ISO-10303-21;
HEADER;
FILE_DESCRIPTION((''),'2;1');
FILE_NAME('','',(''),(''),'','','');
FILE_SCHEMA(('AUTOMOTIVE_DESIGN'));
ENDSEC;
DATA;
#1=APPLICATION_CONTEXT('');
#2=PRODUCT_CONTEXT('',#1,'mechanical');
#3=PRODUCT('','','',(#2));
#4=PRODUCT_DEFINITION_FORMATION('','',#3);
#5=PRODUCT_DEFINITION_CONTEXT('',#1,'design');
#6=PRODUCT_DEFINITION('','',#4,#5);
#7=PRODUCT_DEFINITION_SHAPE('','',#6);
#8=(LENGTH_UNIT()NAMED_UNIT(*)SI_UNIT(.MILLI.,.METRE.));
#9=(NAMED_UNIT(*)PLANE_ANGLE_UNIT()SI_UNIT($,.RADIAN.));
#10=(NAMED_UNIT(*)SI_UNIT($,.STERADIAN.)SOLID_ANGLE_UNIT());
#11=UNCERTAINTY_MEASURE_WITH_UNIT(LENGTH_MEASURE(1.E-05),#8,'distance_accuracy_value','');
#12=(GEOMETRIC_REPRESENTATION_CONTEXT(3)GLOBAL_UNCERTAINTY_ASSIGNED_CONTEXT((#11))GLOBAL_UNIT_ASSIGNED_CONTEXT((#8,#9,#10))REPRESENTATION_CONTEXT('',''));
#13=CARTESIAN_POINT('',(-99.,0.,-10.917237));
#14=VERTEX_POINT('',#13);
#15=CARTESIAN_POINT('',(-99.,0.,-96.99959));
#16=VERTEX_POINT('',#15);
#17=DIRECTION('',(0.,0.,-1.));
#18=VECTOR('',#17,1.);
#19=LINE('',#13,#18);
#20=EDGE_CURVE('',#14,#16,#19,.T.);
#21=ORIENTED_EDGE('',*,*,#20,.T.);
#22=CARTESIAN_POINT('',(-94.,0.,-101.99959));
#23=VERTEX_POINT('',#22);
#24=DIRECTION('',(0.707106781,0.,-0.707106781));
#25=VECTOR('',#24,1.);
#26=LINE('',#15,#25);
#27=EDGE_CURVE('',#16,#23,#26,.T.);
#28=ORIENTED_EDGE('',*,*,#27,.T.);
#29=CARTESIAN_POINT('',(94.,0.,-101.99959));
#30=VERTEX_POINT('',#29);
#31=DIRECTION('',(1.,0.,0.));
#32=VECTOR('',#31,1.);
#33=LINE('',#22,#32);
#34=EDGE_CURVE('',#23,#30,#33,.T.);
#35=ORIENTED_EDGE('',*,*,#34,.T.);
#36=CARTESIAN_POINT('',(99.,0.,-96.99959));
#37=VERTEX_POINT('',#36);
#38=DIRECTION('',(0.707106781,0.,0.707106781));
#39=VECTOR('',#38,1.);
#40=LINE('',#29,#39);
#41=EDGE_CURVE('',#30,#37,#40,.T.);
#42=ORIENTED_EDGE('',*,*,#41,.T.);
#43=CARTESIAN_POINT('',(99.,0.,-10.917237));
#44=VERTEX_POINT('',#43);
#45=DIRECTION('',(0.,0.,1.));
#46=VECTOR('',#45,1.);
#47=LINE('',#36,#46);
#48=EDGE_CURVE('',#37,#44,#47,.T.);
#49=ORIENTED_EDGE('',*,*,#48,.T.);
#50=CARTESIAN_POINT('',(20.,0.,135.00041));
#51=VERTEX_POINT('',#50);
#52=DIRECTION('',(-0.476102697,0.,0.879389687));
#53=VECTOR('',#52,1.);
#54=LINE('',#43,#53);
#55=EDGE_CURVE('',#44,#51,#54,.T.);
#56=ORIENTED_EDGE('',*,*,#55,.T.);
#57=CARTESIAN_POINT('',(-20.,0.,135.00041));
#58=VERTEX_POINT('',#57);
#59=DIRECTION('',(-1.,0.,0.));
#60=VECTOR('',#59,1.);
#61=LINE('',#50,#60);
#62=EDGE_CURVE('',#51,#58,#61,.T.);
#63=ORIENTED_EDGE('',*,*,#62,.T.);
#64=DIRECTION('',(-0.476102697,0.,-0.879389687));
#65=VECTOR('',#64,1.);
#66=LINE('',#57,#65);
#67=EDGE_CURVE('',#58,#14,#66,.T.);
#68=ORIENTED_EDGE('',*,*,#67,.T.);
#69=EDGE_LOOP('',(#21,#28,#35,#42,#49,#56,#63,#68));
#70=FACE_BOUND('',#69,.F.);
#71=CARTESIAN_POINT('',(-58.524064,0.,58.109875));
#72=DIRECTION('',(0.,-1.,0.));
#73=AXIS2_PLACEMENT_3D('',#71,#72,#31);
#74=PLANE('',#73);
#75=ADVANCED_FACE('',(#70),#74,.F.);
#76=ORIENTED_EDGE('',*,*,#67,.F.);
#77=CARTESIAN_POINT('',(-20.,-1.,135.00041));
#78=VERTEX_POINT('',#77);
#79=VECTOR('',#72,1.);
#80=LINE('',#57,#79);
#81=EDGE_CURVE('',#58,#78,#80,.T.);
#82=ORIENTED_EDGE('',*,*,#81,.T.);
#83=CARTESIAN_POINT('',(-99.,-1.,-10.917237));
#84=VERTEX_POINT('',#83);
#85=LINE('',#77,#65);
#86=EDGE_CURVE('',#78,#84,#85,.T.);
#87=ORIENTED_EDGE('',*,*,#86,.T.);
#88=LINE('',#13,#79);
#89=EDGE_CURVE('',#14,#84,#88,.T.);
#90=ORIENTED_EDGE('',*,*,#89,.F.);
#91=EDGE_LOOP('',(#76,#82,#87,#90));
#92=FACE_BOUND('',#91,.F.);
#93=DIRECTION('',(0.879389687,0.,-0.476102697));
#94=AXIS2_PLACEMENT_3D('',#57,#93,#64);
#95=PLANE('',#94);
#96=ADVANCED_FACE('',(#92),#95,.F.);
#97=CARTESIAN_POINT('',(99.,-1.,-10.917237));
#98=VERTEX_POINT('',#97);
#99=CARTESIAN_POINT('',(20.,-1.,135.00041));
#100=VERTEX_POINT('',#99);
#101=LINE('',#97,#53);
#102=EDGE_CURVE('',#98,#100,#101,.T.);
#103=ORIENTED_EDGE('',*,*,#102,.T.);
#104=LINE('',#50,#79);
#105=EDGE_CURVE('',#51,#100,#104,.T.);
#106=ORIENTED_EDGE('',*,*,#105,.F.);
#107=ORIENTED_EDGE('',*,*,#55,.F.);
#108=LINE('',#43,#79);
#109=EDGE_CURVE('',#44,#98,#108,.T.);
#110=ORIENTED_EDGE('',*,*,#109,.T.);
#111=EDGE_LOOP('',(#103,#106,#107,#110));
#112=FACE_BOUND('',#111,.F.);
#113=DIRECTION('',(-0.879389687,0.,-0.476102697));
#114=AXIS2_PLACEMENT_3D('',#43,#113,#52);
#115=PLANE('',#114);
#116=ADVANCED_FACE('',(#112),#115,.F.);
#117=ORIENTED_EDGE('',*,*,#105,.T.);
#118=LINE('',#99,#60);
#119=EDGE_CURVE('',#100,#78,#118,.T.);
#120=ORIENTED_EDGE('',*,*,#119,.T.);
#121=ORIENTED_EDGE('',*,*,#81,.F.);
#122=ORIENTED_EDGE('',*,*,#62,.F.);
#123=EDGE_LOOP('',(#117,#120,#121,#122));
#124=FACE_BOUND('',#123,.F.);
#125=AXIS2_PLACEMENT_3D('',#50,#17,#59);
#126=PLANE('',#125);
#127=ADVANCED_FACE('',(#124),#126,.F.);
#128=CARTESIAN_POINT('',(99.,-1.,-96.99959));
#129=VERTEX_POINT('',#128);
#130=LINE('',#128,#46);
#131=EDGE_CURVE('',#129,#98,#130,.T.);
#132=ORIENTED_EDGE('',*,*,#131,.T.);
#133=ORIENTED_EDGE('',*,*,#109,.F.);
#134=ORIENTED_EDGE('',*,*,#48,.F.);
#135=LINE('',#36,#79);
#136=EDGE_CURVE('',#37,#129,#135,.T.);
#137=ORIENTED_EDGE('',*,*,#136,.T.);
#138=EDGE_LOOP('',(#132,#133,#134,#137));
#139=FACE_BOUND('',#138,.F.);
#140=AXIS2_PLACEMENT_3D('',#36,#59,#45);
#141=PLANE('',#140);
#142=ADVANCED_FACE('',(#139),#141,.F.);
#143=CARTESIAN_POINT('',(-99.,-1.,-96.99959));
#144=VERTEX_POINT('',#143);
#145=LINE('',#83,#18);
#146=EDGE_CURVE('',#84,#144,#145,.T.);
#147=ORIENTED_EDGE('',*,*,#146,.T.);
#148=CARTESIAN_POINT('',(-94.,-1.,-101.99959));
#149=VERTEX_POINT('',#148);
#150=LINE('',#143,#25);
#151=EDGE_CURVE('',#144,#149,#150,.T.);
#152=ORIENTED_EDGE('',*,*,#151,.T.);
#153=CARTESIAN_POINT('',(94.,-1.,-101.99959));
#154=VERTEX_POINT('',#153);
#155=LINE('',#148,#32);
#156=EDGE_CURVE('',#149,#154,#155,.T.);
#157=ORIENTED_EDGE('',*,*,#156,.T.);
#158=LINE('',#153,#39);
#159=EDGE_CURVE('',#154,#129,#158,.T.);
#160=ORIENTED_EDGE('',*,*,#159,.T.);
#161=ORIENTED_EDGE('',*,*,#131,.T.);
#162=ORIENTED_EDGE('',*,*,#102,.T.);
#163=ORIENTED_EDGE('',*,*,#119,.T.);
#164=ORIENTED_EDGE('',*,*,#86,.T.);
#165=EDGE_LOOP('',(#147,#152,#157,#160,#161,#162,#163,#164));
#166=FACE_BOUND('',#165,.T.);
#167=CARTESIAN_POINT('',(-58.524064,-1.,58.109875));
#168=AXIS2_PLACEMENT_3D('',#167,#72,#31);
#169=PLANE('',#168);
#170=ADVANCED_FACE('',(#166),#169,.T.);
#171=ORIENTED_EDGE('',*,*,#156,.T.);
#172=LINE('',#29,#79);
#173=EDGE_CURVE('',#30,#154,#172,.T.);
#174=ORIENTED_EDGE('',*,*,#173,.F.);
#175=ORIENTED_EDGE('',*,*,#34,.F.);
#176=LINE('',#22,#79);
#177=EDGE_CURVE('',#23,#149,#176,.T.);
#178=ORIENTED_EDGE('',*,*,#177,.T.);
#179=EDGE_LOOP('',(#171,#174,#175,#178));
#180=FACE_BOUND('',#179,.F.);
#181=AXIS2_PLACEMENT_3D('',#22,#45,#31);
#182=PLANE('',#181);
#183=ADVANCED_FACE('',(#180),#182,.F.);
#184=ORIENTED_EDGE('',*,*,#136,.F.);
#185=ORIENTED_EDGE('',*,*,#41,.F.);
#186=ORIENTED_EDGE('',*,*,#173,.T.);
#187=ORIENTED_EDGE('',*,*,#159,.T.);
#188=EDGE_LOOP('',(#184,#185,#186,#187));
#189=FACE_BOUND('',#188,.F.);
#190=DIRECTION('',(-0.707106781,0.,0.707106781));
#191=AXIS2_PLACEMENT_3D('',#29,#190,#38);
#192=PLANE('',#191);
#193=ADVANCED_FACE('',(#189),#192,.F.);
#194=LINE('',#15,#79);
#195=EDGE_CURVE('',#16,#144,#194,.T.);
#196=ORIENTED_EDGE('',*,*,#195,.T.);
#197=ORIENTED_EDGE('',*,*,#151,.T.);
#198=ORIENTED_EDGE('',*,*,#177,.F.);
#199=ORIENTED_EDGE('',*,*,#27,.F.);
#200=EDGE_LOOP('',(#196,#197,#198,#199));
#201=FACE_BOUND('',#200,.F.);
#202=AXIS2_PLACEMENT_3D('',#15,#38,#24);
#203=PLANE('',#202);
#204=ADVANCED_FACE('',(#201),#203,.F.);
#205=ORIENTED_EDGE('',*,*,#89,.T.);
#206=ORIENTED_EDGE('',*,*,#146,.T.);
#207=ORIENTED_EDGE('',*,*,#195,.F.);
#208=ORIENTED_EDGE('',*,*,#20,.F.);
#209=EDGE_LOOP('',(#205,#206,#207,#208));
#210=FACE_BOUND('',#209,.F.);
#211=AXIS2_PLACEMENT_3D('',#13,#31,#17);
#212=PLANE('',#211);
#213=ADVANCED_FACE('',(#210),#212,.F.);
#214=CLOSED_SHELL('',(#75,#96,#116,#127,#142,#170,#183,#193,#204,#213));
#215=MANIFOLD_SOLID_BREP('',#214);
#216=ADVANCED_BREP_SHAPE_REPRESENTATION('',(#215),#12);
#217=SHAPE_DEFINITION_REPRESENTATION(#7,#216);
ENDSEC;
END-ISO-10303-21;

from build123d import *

# Parameters (mm, degrees)
F1_DEPTH = 1


with BuildPart() as f1:
    # F0 (on Front) → F1 (new body)
    with BuildSketch(Plane.XZ):
        Polygon((-99, -10.917237), (-99, -21.99959), (-14, 135.00041), (-20, 135.00041), align=None)
        Polygon((-99, -96.99959), (-94, -101.99959), (0, -101.99959), (94, -101.99959), (99, -96.99959), (99, -21.99959), (14, 135.00041), (-14, 135.00041), (-99, -21.99959), align=None)
        Polygon((14, 135.00041), (99, -21.99959), (99, -10.917237), (20, 135.00041), align=None)
    extrude(amount=F1_DEPTH)


solid = f1.part
